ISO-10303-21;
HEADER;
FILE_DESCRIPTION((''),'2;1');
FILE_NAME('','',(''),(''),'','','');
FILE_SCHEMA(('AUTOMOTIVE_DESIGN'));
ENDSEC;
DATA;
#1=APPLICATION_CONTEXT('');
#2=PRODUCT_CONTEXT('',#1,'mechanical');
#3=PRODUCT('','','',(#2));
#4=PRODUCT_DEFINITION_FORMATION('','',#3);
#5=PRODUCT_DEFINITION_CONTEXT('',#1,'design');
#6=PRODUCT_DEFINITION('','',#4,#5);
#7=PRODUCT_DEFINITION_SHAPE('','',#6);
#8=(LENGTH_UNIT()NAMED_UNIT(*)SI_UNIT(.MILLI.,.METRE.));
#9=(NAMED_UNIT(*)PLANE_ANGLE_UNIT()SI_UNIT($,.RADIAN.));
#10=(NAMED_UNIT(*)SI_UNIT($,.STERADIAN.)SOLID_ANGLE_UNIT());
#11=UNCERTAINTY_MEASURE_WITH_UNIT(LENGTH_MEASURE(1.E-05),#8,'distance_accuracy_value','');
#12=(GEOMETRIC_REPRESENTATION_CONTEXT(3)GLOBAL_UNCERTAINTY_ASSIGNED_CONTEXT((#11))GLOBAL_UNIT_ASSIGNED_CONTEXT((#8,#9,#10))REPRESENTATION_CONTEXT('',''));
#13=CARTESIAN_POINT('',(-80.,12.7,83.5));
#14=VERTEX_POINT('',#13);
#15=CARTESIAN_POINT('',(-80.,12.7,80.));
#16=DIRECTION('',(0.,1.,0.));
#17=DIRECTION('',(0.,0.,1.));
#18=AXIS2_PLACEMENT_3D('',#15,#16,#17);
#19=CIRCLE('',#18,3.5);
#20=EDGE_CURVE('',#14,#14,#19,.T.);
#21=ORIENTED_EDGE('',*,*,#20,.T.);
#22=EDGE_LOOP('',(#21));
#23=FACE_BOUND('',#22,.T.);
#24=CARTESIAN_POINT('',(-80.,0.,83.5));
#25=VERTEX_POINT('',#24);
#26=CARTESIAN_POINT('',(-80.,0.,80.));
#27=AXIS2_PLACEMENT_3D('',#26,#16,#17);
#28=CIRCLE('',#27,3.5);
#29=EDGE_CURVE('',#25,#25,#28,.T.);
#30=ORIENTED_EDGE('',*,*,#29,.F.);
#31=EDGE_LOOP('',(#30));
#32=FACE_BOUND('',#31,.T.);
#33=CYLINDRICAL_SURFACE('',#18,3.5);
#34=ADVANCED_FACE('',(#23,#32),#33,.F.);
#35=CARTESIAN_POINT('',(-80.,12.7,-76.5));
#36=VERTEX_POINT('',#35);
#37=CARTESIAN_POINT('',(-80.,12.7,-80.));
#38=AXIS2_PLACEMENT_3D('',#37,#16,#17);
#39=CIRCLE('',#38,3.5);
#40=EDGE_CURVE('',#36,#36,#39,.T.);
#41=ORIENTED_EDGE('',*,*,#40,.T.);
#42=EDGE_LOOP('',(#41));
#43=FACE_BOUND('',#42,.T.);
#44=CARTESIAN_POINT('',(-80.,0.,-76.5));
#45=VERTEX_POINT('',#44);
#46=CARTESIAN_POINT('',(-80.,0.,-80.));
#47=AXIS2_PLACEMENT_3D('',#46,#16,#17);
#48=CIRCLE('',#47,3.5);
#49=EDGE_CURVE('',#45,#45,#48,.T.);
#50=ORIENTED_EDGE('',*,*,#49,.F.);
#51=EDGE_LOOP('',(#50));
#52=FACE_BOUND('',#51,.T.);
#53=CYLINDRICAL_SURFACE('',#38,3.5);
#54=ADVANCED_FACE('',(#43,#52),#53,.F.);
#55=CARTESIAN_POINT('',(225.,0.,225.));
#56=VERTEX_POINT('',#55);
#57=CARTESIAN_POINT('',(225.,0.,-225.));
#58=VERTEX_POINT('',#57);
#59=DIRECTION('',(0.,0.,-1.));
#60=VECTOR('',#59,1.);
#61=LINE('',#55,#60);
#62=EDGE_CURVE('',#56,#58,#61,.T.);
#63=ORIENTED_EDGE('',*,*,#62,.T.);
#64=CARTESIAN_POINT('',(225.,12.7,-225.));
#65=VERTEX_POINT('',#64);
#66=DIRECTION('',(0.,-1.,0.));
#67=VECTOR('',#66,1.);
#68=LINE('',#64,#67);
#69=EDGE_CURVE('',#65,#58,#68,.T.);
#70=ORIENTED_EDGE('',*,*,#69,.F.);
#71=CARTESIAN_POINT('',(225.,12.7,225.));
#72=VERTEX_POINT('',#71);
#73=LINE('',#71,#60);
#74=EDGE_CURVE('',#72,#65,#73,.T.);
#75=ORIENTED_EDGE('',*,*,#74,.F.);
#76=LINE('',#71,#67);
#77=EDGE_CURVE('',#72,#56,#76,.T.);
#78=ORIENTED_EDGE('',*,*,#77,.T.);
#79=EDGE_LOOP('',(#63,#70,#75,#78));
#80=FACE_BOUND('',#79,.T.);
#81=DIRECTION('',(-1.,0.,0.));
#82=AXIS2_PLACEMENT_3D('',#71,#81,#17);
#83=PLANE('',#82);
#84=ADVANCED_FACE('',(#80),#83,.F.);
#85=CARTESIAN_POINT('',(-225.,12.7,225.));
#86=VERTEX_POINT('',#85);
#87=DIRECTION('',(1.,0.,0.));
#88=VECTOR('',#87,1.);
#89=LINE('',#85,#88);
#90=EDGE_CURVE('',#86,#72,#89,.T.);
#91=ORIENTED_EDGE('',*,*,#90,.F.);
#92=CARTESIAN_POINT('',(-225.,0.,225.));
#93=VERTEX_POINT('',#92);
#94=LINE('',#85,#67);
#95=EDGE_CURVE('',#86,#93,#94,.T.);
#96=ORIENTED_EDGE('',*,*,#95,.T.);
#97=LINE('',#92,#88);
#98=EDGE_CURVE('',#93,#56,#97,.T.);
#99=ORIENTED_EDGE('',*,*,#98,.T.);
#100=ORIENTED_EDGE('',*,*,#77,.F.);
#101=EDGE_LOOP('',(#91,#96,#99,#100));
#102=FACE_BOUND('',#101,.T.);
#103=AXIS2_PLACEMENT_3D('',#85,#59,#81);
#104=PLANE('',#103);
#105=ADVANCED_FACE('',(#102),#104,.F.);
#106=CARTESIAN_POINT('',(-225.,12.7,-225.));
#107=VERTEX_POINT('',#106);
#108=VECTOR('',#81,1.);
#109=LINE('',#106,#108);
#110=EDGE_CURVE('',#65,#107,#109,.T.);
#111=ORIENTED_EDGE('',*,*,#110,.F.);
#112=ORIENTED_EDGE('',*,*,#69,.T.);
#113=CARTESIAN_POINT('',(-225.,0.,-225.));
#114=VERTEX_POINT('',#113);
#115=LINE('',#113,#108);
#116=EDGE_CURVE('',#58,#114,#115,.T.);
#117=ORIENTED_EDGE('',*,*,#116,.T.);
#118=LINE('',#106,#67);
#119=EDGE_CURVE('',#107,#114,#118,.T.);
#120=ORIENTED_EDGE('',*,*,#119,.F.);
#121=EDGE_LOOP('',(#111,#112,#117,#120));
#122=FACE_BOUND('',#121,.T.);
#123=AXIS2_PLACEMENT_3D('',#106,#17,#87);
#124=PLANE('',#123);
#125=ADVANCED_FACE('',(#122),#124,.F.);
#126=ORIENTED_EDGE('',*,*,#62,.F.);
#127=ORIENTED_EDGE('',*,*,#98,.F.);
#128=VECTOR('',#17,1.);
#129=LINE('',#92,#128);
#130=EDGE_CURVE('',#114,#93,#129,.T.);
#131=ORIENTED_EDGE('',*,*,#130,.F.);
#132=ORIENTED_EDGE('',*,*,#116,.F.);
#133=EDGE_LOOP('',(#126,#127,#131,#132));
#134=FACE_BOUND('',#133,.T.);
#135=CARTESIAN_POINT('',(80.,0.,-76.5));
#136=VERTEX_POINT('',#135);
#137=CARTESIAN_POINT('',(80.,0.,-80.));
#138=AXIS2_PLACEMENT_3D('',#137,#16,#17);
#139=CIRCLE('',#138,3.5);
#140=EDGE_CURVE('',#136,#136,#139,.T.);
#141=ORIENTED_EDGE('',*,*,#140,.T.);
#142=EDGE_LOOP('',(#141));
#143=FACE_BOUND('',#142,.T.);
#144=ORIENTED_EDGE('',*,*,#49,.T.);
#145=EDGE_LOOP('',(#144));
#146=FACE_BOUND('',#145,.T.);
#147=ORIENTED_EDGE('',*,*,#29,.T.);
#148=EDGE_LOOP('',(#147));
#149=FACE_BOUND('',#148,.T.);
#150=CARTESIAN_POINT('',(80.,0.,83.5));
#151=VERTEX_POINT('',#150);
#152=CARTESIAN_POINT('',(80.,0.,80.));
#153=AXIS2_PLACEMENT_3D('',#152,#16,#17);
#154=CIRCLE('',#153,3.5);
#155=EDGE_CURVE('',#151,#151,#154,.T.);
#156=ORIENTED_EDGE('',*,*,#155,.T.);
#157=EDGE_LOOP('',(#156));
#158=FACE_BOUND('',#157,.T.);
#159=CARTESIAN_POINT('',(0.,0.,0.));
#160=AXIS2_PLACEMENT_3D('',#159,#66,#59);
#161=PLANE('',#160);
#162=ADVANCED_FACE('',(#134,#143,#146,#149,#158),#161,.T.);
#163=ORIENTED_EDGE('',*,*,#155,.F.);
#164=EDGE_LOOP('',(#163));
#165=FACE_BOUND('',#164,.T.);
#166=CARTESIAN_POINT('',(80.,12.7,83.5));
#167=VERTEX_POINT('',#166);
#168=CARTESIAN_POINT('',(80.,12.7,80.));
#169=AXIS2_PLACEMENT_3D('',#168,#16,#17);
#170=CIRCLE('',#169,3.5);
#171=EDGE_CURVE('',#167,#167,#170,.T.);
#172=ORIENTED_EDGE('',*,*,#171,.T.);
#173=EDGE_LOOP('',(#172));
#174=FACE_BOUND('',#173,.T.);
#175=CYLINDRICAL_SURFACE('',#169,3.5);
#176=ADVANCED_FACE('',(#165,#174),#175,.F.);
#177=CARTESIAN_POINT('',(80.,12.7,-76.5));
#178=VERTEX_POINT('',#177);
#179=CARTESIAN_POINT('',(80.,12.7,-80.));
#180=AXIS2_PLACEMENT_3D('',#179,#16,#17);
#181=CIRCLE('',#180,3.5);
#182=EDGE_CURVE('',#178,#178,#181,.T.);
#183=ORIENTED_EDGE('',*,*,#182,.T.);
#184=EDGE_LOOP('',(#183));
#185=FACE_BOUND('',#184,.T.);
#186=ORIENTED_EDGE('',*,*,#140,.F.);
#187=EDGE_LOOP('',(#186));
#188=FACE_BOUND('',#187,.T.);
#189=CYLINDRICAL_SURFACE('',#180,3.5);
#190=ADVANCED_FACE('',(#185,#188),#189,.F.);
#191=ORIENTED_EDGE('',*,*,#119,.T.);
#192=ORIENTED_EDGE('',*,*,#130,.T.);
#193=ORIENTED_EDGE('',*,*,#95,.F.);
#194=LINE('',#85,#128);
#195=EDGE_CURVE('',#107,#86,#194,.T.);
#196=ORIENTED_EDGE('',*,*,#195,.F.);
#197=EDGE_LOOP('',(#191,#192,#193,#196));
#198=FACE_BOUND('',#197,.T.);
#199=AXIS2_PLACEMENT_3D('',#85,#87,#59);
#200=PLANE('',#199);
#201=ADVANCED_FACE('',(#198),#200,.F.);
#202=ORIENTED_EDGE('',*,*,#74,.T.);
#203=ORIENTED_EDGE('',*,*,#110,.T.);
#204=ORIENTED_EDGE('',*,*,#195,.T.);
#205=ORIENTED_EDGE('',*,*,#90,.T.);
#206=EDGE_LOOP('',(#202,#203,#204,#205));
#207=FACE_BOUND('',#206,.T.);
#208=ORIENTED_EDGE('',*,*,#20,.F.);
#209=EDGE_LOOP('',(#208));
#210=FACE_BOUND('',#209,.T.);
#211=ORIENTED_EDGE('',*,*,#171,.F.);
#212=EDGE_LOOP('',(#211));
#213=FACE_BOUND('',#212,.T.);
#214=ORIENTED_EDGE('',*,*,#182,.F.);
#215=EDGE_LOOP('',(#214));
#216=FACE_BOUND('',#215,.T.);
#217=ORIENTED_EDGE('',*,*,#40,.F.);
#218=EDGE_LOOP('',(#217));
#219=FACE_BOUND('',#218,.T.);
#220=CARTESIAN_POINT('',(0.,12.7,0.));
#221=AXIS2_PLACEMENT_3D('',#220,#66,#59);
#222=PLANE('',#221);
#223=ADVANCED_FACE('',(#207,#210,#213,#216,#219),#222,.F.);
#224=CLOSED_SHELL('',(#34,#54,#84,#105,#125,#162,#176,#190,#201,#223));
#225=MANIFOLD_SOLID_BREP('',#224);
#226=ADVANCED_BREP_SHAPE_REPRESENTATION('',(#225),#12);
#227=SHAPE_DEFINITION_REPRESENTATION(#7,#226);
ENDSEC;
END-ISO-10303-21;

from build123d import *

# Parameters (mm, degrees)
ESBO_O1_W                 = 450
ESBO_O1_H                 = 450
RESSALTO_EXTRUS_O1_DEPTH  = 12.7
FURO_ROSCADO_DE_M8X1_01_D = 7


with BuildPart() as part:
    # Esboço1 → Ressalto-extrusão1 (new body)
    with BuildSketch(Plane(origin=(0, 0, 0), x_dir=(1, 0, 0), z_dir=(0, 1, 0))):
        Rectangle(ESBO_O1_W, ESBO_O1_H)
    extrude(amount=RESSALTO_EXTRUS_O1_DEPTH)

    # Furo roscado de M8x1.01 (through all)
    with Locations(Plane(origin=(0, 12.7, 0), x_dir=(1, 0, 0), z_dir=(0, 1, 0))):
        with Locations((-80, 80), (80, 80), (80, -80), (-80, -80)):
            Hole(FURO_ROSCADO_DE_M8X1_01_D / 2)


solid = part.part
